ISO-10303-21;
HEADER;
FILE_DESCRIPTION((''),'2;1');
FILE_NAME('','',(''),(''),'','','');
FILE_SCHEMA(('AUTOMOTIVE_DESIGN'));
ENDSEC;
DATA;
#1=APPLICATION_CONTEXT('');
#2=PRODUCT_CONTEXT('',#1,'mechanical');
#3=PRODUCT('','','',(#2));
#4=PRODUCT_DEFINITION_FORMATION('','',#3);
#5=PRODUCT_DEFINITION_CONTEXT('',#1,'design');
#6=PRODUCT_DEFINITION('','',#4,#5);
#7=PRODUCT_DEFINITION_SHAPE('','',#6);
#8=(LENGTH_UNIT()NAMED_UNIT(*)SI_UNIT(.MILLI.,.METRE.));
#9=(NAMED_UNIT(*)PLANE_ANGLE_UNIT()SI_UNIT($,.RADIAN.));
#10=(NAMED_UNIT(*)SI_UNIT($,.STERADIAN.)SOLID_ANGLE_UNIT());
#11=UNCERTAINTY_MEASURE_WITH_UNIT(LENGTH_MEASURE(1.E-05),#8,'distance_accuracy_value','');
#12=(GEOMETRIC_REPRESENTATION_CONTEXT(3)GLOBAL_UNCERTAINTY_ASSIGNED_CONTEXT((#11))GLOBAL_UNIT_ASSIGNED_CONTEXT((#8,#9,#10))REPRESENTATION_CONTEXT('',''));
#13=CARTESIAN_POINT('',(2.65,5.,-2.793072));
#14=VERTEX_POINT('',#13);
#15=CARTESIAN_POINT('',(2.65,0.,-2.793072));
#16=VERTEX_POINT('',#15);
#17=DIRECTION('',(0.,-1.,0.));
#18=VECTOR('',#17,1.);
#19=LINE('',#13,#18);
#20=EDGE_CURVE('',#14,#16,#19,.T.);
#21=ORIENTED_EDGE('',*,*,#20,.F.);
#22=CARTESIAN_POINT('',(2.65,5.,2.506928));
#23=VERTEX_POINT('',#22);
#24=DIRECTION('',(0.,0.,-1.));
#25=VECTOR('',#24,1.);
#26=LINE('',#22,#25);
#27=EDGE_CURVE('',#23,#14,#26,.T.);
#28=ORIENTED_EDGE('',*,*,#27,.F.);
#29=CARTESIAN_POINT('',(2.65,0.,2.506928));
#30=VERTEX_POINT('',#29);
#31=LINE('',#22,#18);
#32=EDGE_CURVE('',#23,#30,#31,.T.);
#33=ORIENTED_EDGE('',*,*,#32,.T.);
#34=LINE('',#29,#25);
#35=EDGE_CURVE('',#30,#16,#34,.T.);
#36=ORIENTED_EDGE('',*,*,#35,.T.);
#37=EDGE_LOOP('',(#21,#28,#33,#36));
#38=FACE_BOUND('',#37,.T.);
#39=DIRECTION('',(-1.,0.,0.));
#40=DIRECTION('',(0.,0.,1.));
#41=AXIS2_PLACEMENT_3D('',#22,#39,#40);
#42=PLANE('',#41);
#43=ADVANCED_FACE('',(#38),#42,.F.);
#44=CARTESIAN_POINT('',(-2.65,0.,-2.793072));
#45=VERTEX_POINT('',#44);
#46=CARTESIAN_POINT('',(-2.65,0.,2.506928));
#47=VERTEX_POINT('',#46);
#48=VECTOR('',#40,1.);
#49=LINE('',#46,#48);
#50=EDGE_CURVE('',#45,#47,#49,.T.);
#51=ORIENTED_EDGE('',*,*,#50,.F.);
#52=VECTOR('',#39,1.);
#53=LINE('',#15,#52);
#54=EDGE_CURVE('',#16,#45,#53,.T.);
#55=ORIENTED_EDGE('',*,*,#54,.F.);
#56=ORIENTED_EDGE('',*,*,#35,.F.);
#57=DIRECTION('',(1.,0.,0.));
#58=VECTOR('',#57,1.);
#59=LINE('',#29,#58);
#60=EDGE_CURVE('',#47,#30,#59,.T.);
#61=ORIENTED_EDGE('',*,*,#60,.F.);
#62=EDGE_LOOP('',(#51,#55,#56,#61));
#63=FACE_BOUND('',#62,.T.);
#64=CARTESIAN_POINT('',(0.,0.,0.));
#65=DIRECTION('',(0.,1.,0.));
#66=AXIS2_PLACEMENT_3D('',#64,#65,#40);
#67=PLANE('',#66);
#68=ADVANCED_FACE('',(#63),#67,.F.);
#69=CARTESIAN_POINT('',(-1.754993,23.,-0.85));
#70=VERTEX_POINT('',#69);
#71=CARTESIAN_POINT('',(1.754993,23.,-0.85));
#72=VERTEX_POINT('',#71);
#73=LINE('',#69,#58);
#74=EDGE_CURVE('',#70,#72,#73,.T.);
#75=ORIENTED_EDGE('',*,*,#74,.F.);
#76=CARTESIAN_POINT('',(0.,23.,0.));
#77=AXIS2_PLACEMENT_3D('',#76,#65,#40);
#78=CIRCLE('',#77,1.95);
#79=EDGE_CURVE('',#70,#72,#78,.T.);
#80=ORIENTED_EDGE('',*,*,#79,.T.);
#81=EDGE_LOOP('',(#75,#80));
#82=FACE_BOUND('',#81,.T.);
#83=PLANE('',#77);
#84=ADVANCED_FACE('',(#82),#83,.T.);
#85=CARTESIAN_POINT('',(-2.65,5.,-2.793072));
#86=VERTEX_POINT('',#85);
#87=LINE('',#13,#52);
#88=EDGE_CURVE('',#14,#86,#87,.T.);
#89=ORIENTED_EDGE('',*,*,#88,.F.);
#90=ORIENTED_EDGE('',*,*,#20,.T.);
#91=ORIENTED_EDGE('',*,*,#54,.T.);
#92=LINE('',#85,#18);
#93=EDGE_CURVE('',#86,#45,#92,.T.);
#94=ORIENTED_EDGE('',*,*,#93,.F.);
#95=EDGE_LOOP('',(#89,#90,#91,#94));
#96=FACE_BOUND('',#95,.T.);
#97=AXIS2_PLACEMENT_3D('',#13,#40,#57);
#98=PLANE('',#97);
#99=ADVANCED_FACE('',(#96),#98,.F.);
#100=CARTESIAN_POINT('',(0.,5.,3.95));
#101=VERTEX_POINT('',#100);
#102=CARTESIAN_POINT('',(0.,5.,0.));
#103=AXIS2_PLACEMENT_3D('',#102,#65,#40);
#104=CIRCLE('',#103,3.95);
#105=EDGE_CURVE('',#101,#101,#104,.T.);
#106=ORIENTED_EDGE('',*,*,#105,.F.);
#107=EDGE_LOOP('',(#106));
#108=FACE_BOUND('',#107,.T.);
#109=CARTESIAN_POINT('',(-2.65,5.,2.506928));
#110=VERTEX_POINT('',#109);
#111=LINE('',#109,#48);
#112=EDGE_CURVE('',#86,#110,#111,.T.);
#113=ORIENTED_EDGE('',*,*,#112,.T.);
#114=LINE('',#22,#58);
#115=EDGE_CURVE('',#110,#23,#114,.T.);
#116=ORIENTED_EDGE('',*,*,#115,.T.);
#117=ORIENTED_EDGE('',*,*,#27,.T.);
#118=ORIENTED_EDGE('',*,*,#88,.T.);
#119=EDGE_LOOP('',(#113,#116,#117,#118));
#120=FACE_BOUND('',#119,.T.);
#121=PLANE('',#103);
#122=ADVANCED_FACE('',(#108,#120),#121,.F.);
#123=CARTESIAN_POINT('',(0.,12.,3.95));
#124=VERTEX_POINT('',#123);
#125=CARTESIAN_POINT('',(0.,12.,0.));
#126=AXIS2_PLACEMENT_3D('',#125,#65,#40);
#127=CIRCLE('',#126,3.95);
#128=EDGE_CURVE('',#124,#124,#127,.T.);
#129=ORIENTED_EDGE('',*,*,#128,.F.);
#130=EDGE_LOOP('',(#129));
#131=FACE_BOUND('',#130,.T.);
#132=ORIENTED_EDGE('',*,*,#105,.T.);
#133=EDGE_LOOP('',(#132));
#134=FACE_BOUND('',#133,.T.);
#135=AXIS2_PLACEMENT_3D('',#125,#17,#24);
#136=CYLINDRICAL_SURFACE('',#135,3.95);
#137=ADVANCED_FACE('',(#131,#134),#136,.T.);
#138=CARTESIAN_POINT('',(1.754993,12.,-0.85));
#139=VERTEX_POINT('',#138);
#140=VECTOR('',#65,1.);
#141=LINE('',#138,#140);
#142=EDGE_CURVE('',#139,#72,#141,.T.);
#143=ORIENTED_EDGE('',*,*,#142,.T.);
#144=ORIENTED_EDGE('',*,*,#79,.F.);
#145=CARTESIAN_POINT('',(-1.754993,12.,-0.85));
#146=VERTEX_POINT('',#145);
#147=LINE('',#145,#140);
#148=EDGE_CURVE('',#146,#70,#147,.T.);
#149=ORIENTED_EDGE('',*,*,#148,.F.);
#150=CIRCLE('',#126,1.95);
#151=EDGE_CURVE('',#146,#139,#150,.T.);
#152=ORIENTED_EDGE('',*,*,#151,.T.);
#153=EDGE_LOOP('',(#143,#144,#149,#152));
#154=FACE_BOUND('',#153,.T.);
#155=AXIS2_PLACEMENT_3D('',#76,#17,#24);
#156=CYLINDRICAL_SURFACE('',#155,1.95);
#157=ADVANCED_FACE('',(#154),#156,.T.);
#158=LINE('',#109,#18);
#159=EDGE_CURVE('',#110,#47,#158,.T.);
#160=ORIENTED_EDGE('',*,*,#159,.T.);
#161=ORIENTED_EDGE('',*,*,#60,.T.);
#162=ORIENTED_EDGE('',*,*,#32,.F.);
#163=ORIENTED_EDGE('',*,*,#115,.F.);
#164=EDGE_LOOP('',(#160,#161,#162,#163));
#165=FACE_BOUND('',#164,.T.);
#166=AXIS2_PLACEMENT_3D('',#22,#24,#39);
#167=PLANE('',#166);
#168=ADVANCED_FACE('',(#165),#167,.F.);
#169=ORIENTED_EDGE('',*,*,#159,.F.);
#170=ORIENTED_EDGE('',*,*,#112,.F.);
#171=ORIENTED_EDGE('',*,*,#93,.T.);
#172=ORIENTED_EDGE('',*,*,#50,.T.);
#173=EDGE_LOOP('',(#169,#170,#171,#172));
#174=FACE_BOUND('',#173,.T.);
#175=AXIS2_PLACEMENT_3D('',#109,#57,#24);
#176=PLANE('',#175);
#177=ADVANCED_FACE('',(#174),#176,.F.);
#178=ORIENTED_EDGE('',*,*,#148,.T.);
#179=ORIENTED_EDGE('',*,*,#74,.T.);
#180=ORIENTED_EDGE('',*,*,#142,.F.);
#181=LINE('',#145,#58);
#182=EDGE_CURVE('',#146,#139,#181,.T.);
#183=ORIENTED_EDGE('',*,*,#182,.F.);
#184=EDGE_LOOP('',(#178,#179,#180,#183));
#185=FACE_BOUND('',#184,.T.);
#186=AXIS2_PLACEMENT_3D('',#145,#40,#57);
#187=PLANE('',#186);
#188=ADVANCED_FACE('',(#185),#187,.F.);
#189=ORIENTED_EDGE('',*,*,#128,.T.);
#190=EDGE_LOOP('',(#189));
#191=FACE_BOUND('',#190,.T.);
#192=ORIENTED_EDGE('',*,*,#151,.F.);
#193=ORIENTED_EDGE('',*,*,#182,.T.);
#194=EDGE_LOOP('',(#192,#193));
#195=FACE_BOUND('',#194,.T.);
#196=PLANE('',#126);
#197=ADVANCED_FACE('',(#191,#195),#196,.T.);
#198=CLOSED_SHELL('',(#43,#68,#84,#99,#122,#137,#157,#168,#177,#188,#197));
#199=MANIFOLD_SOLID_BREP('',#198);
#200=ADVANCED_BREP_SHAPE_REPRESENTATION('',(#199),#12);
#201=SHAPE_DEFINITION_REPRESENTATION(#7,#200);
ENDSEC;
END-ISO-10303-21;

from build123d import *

# Parameters (mm, degrees)
SKETCH1_W           = 5.3
SKETCH1_H           = 5.3
BOSS_EXTRUDE1_DEPTH = 5
SKETCH2_R           = 3.95
BOSS_EXTRUDE2_DEPTH = 7
SKETCH3_R           = 1.95
BOSS_EXTRUDE3_DEPTH = 11
CUT_EXTRUDE1_DEPTH  = 11


with BuildPart() as part:
    # Sketch1 → Boss-Extrude1 (new body)
    with BuildSketch(Plane(origin=(0, 0, 0), x_dir=(1, 0, 0), z_dir=(0, 1, 0))):
        with Locations((0, 0.143071786)):
            Rectangle(SKETCH1_W, SKETCH1_H)
    extrude(amount=BOSS_EXTRUDE1_DEPTH)

    # Sketch2 → Boss-Extrude2 (add)
    with BuildSketch(Plane(origin=(0, 5, 0), x_dir=(1, 0, 0), z_dir=(0, 1, 0))):
        Circle(SKETCH2_R)
    extrude(amount=BOSS_EXTRUDE2_DEPTH)

    # Sketch3 → Boss-Extrude3 (add)
    with BuildSketch(Plane(origin=(0, 12, 0), x_dir=(1, 0, 0), z_dir=(0, 1, 0))):
        Circle(SKETCH3_R)
    extrude(amount=BOSS_EXTRUDE3_DEPTH)

    # Sketch4 → Cut-Extrude1 (cut)
    with BuildSketch(Plane(origin=(0, 23, 0), x_dir=(1, 0, 0), z_dir=(0, 1, 0))):
        with BuildLine():
            Line((-1.754992877, 0.85), (1.754992877, 0.85))
            ThreePointArc((1.754992877, 0.85), (0, 1.95), (-1.754992877, 0.85))
        make_face()
    extrude(amount=-CUT_EXTRUDE1_DEPTH, mode=Mode.SUBTRACT)


solid = part.part
